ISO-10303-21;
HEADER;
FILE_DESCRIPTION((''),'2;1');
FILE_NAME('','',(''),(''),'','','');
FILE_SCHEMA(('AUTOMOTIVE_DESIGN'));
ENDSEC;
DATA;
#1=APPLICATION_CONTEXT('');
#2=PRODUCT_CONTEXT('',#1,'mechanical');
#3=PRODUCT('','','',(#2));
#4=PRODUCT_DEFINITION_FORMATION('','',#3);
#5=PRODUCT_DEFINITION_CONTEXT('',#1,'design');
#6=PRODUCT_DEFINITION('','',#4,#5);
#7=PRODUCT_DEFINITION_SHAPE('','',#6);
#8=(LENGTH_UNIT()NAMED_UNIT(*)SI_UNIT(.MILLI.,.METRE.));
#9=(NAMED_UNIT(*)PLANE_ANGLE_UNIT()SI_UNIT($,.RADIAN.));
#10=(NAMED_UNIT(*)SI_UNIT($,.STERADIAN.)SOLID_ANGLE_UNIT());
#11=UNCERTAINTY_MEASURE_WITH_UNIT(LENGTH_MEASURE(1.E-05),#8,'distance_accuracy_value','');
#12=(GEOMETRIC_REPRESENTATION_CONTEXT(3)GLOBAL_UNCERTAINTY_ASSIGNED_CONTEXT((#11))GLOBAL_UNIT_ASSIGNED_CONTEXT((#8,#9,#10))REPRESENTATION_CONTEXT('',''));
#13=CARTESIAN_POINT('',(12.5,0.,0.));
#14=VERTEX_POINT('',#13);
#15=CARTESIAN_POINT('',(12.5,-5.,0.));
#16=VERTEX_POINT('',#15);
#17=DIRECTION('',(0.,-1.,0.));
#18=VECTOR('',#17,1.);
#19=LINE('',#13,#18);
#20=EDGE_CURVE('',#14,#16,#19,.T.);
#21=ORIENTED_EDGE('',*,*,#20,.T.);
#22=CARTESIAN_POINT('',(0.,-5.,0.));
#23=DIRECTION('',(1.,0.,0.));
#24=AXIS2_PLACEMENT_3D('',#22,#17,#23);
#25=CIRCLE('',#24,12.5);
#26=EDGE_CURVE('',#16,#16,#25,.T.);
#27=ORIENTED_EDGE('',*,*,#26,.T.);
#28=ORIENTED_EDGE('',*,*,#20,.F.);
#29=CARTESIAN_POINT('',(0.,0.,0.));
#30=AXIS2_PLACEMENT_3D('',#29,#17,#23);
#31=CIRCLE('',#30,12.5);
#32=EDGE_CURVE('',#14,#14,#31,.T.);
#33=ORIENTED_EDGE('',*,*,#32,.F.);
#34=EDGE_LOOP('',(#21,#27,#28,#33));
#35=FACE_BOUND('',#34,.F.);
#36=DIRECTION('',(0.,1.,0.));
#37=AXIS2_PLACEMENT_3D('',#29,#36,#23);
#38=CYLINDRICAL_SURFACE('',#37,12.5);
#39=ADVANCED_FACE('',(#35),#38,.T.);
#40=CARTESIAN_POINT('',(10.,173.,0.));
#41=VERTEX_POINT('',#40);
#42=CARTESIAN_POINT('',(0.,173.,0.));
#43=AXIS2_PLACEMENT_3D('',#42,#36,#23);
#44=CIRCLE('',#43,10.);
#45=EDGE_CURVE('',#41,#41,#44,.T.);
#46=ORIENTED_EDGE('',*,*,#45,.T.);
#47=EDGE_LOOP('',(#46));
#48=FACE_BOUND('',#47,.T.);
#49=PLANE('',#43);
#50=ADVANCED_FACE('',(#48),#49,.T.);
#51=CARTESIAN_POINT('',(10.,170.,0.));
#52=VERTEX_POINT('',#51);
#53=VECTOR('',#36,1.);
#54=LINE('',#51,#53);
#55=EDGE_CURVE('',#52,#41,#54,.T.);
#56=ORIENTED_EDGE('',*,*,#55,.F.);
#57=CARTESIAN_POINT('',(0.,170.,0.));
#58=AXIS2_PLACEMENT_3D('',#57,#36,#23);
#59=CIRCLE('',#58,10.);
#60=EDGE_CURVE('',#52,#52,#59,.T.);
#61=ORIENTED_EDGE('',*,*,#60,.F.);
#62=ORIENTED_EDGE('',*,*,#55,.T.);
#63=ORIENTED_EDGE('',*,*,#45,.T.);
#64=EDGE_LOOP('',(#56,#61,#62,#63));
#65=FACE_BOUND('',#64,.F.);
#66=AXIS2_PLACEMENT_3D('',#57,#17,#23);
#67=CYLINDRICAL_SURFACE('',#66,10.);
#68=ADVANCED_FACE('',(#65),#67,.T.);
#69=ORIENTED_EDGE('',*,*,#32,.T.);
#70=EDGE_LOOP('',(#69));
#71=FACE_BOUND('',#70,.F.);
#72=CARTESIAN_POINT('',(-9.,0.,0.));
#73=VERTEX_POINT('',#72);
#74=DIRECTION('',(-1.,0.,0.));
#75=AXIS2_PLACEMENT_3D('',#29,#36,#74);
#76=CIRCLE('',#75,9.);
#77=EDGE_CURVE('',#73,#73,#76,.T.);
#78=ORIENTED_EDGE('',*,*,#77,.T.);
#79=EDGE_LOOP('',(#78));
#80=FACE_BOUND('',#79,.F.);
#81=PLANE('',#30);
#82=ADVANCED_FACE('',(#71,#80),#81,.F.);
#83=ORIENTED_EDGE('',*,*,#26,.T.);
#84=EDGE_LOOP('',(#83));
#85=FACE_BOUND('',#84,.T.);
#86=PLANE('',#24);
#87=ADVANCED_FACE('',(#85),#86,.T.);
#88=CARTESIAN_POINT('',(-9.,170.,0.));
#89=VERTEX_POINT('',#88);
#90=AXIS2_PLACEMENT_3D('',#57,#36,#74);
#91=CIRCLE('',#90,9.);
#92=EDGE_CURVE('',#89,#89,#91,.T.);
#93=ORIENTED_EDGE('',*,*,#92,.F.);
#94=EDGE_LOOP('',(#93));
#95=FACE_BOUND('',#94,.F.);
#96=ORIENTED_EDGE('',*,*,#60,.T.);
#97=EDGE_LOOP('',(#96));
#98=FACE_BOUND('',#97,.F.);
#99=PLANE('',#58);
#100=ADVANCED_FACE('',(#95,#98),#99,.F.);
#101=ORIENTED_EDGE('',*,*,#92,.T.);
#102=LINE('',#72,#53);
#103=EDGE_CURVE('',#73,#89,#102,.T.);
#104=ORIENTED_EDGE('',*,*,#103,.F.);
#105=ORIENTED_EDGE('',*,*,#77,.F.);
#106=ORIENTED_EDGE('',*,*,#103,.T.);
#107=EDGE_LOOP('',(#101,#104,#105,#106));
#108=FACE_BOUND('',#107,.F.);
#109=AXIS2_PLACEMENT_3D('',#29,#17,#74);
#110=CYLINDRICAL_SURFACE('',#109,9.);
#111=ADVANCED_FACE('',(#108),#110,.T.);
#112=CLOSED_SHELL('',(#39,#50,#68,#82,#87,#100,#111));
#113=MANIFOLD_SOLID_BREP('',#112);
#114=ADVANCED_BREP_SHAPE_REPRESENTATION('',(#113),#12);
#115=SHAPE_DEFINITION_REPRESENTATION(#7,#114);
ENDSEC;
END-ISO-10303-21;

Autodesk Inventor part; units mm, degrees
ref_plane "YZ Plane" through (0, 0, 0) normal (1, 0, 0) x (0, 1, 0)
ref_plane "XZ Plane" through (0, 0, 0) normal (0, 1, 0) x (-1, 0, 0)
ref_plane "XY Plane" through (0, 0, 0) normal (0, 0, 1) x (1, 0, 0)
sketch "Sketch1" plane through (0, 0, 0) normal (0, 1, 0) x (-1, 0, 0)
  circle A0 centre (0, 0) radius 9
  dimension "d0" = 18
extrude "Extrusion1" add sketch "Sketch1" along normal blind 170
sketch "Sketch3" plane through (0, 0, 0) normal (0, -1, 0) x (1, 0, 0)
  circle A0 centre (0, 0) radius 12.5
  dimension "d3" = 25
extrude "Extrusion2" add sketch "Sketch3" along normal blind 5
sketch "Sketch5" plane through (0, 170, 0) normal (0, 1, 0) x (1, 0, 0)
  circle A0 centre (0, 0) radius 10
  dimension "d6" = 20
extrude "Extrusion3" add sketch "Sketch5" along normal blind 3
properties part number "plunger"
